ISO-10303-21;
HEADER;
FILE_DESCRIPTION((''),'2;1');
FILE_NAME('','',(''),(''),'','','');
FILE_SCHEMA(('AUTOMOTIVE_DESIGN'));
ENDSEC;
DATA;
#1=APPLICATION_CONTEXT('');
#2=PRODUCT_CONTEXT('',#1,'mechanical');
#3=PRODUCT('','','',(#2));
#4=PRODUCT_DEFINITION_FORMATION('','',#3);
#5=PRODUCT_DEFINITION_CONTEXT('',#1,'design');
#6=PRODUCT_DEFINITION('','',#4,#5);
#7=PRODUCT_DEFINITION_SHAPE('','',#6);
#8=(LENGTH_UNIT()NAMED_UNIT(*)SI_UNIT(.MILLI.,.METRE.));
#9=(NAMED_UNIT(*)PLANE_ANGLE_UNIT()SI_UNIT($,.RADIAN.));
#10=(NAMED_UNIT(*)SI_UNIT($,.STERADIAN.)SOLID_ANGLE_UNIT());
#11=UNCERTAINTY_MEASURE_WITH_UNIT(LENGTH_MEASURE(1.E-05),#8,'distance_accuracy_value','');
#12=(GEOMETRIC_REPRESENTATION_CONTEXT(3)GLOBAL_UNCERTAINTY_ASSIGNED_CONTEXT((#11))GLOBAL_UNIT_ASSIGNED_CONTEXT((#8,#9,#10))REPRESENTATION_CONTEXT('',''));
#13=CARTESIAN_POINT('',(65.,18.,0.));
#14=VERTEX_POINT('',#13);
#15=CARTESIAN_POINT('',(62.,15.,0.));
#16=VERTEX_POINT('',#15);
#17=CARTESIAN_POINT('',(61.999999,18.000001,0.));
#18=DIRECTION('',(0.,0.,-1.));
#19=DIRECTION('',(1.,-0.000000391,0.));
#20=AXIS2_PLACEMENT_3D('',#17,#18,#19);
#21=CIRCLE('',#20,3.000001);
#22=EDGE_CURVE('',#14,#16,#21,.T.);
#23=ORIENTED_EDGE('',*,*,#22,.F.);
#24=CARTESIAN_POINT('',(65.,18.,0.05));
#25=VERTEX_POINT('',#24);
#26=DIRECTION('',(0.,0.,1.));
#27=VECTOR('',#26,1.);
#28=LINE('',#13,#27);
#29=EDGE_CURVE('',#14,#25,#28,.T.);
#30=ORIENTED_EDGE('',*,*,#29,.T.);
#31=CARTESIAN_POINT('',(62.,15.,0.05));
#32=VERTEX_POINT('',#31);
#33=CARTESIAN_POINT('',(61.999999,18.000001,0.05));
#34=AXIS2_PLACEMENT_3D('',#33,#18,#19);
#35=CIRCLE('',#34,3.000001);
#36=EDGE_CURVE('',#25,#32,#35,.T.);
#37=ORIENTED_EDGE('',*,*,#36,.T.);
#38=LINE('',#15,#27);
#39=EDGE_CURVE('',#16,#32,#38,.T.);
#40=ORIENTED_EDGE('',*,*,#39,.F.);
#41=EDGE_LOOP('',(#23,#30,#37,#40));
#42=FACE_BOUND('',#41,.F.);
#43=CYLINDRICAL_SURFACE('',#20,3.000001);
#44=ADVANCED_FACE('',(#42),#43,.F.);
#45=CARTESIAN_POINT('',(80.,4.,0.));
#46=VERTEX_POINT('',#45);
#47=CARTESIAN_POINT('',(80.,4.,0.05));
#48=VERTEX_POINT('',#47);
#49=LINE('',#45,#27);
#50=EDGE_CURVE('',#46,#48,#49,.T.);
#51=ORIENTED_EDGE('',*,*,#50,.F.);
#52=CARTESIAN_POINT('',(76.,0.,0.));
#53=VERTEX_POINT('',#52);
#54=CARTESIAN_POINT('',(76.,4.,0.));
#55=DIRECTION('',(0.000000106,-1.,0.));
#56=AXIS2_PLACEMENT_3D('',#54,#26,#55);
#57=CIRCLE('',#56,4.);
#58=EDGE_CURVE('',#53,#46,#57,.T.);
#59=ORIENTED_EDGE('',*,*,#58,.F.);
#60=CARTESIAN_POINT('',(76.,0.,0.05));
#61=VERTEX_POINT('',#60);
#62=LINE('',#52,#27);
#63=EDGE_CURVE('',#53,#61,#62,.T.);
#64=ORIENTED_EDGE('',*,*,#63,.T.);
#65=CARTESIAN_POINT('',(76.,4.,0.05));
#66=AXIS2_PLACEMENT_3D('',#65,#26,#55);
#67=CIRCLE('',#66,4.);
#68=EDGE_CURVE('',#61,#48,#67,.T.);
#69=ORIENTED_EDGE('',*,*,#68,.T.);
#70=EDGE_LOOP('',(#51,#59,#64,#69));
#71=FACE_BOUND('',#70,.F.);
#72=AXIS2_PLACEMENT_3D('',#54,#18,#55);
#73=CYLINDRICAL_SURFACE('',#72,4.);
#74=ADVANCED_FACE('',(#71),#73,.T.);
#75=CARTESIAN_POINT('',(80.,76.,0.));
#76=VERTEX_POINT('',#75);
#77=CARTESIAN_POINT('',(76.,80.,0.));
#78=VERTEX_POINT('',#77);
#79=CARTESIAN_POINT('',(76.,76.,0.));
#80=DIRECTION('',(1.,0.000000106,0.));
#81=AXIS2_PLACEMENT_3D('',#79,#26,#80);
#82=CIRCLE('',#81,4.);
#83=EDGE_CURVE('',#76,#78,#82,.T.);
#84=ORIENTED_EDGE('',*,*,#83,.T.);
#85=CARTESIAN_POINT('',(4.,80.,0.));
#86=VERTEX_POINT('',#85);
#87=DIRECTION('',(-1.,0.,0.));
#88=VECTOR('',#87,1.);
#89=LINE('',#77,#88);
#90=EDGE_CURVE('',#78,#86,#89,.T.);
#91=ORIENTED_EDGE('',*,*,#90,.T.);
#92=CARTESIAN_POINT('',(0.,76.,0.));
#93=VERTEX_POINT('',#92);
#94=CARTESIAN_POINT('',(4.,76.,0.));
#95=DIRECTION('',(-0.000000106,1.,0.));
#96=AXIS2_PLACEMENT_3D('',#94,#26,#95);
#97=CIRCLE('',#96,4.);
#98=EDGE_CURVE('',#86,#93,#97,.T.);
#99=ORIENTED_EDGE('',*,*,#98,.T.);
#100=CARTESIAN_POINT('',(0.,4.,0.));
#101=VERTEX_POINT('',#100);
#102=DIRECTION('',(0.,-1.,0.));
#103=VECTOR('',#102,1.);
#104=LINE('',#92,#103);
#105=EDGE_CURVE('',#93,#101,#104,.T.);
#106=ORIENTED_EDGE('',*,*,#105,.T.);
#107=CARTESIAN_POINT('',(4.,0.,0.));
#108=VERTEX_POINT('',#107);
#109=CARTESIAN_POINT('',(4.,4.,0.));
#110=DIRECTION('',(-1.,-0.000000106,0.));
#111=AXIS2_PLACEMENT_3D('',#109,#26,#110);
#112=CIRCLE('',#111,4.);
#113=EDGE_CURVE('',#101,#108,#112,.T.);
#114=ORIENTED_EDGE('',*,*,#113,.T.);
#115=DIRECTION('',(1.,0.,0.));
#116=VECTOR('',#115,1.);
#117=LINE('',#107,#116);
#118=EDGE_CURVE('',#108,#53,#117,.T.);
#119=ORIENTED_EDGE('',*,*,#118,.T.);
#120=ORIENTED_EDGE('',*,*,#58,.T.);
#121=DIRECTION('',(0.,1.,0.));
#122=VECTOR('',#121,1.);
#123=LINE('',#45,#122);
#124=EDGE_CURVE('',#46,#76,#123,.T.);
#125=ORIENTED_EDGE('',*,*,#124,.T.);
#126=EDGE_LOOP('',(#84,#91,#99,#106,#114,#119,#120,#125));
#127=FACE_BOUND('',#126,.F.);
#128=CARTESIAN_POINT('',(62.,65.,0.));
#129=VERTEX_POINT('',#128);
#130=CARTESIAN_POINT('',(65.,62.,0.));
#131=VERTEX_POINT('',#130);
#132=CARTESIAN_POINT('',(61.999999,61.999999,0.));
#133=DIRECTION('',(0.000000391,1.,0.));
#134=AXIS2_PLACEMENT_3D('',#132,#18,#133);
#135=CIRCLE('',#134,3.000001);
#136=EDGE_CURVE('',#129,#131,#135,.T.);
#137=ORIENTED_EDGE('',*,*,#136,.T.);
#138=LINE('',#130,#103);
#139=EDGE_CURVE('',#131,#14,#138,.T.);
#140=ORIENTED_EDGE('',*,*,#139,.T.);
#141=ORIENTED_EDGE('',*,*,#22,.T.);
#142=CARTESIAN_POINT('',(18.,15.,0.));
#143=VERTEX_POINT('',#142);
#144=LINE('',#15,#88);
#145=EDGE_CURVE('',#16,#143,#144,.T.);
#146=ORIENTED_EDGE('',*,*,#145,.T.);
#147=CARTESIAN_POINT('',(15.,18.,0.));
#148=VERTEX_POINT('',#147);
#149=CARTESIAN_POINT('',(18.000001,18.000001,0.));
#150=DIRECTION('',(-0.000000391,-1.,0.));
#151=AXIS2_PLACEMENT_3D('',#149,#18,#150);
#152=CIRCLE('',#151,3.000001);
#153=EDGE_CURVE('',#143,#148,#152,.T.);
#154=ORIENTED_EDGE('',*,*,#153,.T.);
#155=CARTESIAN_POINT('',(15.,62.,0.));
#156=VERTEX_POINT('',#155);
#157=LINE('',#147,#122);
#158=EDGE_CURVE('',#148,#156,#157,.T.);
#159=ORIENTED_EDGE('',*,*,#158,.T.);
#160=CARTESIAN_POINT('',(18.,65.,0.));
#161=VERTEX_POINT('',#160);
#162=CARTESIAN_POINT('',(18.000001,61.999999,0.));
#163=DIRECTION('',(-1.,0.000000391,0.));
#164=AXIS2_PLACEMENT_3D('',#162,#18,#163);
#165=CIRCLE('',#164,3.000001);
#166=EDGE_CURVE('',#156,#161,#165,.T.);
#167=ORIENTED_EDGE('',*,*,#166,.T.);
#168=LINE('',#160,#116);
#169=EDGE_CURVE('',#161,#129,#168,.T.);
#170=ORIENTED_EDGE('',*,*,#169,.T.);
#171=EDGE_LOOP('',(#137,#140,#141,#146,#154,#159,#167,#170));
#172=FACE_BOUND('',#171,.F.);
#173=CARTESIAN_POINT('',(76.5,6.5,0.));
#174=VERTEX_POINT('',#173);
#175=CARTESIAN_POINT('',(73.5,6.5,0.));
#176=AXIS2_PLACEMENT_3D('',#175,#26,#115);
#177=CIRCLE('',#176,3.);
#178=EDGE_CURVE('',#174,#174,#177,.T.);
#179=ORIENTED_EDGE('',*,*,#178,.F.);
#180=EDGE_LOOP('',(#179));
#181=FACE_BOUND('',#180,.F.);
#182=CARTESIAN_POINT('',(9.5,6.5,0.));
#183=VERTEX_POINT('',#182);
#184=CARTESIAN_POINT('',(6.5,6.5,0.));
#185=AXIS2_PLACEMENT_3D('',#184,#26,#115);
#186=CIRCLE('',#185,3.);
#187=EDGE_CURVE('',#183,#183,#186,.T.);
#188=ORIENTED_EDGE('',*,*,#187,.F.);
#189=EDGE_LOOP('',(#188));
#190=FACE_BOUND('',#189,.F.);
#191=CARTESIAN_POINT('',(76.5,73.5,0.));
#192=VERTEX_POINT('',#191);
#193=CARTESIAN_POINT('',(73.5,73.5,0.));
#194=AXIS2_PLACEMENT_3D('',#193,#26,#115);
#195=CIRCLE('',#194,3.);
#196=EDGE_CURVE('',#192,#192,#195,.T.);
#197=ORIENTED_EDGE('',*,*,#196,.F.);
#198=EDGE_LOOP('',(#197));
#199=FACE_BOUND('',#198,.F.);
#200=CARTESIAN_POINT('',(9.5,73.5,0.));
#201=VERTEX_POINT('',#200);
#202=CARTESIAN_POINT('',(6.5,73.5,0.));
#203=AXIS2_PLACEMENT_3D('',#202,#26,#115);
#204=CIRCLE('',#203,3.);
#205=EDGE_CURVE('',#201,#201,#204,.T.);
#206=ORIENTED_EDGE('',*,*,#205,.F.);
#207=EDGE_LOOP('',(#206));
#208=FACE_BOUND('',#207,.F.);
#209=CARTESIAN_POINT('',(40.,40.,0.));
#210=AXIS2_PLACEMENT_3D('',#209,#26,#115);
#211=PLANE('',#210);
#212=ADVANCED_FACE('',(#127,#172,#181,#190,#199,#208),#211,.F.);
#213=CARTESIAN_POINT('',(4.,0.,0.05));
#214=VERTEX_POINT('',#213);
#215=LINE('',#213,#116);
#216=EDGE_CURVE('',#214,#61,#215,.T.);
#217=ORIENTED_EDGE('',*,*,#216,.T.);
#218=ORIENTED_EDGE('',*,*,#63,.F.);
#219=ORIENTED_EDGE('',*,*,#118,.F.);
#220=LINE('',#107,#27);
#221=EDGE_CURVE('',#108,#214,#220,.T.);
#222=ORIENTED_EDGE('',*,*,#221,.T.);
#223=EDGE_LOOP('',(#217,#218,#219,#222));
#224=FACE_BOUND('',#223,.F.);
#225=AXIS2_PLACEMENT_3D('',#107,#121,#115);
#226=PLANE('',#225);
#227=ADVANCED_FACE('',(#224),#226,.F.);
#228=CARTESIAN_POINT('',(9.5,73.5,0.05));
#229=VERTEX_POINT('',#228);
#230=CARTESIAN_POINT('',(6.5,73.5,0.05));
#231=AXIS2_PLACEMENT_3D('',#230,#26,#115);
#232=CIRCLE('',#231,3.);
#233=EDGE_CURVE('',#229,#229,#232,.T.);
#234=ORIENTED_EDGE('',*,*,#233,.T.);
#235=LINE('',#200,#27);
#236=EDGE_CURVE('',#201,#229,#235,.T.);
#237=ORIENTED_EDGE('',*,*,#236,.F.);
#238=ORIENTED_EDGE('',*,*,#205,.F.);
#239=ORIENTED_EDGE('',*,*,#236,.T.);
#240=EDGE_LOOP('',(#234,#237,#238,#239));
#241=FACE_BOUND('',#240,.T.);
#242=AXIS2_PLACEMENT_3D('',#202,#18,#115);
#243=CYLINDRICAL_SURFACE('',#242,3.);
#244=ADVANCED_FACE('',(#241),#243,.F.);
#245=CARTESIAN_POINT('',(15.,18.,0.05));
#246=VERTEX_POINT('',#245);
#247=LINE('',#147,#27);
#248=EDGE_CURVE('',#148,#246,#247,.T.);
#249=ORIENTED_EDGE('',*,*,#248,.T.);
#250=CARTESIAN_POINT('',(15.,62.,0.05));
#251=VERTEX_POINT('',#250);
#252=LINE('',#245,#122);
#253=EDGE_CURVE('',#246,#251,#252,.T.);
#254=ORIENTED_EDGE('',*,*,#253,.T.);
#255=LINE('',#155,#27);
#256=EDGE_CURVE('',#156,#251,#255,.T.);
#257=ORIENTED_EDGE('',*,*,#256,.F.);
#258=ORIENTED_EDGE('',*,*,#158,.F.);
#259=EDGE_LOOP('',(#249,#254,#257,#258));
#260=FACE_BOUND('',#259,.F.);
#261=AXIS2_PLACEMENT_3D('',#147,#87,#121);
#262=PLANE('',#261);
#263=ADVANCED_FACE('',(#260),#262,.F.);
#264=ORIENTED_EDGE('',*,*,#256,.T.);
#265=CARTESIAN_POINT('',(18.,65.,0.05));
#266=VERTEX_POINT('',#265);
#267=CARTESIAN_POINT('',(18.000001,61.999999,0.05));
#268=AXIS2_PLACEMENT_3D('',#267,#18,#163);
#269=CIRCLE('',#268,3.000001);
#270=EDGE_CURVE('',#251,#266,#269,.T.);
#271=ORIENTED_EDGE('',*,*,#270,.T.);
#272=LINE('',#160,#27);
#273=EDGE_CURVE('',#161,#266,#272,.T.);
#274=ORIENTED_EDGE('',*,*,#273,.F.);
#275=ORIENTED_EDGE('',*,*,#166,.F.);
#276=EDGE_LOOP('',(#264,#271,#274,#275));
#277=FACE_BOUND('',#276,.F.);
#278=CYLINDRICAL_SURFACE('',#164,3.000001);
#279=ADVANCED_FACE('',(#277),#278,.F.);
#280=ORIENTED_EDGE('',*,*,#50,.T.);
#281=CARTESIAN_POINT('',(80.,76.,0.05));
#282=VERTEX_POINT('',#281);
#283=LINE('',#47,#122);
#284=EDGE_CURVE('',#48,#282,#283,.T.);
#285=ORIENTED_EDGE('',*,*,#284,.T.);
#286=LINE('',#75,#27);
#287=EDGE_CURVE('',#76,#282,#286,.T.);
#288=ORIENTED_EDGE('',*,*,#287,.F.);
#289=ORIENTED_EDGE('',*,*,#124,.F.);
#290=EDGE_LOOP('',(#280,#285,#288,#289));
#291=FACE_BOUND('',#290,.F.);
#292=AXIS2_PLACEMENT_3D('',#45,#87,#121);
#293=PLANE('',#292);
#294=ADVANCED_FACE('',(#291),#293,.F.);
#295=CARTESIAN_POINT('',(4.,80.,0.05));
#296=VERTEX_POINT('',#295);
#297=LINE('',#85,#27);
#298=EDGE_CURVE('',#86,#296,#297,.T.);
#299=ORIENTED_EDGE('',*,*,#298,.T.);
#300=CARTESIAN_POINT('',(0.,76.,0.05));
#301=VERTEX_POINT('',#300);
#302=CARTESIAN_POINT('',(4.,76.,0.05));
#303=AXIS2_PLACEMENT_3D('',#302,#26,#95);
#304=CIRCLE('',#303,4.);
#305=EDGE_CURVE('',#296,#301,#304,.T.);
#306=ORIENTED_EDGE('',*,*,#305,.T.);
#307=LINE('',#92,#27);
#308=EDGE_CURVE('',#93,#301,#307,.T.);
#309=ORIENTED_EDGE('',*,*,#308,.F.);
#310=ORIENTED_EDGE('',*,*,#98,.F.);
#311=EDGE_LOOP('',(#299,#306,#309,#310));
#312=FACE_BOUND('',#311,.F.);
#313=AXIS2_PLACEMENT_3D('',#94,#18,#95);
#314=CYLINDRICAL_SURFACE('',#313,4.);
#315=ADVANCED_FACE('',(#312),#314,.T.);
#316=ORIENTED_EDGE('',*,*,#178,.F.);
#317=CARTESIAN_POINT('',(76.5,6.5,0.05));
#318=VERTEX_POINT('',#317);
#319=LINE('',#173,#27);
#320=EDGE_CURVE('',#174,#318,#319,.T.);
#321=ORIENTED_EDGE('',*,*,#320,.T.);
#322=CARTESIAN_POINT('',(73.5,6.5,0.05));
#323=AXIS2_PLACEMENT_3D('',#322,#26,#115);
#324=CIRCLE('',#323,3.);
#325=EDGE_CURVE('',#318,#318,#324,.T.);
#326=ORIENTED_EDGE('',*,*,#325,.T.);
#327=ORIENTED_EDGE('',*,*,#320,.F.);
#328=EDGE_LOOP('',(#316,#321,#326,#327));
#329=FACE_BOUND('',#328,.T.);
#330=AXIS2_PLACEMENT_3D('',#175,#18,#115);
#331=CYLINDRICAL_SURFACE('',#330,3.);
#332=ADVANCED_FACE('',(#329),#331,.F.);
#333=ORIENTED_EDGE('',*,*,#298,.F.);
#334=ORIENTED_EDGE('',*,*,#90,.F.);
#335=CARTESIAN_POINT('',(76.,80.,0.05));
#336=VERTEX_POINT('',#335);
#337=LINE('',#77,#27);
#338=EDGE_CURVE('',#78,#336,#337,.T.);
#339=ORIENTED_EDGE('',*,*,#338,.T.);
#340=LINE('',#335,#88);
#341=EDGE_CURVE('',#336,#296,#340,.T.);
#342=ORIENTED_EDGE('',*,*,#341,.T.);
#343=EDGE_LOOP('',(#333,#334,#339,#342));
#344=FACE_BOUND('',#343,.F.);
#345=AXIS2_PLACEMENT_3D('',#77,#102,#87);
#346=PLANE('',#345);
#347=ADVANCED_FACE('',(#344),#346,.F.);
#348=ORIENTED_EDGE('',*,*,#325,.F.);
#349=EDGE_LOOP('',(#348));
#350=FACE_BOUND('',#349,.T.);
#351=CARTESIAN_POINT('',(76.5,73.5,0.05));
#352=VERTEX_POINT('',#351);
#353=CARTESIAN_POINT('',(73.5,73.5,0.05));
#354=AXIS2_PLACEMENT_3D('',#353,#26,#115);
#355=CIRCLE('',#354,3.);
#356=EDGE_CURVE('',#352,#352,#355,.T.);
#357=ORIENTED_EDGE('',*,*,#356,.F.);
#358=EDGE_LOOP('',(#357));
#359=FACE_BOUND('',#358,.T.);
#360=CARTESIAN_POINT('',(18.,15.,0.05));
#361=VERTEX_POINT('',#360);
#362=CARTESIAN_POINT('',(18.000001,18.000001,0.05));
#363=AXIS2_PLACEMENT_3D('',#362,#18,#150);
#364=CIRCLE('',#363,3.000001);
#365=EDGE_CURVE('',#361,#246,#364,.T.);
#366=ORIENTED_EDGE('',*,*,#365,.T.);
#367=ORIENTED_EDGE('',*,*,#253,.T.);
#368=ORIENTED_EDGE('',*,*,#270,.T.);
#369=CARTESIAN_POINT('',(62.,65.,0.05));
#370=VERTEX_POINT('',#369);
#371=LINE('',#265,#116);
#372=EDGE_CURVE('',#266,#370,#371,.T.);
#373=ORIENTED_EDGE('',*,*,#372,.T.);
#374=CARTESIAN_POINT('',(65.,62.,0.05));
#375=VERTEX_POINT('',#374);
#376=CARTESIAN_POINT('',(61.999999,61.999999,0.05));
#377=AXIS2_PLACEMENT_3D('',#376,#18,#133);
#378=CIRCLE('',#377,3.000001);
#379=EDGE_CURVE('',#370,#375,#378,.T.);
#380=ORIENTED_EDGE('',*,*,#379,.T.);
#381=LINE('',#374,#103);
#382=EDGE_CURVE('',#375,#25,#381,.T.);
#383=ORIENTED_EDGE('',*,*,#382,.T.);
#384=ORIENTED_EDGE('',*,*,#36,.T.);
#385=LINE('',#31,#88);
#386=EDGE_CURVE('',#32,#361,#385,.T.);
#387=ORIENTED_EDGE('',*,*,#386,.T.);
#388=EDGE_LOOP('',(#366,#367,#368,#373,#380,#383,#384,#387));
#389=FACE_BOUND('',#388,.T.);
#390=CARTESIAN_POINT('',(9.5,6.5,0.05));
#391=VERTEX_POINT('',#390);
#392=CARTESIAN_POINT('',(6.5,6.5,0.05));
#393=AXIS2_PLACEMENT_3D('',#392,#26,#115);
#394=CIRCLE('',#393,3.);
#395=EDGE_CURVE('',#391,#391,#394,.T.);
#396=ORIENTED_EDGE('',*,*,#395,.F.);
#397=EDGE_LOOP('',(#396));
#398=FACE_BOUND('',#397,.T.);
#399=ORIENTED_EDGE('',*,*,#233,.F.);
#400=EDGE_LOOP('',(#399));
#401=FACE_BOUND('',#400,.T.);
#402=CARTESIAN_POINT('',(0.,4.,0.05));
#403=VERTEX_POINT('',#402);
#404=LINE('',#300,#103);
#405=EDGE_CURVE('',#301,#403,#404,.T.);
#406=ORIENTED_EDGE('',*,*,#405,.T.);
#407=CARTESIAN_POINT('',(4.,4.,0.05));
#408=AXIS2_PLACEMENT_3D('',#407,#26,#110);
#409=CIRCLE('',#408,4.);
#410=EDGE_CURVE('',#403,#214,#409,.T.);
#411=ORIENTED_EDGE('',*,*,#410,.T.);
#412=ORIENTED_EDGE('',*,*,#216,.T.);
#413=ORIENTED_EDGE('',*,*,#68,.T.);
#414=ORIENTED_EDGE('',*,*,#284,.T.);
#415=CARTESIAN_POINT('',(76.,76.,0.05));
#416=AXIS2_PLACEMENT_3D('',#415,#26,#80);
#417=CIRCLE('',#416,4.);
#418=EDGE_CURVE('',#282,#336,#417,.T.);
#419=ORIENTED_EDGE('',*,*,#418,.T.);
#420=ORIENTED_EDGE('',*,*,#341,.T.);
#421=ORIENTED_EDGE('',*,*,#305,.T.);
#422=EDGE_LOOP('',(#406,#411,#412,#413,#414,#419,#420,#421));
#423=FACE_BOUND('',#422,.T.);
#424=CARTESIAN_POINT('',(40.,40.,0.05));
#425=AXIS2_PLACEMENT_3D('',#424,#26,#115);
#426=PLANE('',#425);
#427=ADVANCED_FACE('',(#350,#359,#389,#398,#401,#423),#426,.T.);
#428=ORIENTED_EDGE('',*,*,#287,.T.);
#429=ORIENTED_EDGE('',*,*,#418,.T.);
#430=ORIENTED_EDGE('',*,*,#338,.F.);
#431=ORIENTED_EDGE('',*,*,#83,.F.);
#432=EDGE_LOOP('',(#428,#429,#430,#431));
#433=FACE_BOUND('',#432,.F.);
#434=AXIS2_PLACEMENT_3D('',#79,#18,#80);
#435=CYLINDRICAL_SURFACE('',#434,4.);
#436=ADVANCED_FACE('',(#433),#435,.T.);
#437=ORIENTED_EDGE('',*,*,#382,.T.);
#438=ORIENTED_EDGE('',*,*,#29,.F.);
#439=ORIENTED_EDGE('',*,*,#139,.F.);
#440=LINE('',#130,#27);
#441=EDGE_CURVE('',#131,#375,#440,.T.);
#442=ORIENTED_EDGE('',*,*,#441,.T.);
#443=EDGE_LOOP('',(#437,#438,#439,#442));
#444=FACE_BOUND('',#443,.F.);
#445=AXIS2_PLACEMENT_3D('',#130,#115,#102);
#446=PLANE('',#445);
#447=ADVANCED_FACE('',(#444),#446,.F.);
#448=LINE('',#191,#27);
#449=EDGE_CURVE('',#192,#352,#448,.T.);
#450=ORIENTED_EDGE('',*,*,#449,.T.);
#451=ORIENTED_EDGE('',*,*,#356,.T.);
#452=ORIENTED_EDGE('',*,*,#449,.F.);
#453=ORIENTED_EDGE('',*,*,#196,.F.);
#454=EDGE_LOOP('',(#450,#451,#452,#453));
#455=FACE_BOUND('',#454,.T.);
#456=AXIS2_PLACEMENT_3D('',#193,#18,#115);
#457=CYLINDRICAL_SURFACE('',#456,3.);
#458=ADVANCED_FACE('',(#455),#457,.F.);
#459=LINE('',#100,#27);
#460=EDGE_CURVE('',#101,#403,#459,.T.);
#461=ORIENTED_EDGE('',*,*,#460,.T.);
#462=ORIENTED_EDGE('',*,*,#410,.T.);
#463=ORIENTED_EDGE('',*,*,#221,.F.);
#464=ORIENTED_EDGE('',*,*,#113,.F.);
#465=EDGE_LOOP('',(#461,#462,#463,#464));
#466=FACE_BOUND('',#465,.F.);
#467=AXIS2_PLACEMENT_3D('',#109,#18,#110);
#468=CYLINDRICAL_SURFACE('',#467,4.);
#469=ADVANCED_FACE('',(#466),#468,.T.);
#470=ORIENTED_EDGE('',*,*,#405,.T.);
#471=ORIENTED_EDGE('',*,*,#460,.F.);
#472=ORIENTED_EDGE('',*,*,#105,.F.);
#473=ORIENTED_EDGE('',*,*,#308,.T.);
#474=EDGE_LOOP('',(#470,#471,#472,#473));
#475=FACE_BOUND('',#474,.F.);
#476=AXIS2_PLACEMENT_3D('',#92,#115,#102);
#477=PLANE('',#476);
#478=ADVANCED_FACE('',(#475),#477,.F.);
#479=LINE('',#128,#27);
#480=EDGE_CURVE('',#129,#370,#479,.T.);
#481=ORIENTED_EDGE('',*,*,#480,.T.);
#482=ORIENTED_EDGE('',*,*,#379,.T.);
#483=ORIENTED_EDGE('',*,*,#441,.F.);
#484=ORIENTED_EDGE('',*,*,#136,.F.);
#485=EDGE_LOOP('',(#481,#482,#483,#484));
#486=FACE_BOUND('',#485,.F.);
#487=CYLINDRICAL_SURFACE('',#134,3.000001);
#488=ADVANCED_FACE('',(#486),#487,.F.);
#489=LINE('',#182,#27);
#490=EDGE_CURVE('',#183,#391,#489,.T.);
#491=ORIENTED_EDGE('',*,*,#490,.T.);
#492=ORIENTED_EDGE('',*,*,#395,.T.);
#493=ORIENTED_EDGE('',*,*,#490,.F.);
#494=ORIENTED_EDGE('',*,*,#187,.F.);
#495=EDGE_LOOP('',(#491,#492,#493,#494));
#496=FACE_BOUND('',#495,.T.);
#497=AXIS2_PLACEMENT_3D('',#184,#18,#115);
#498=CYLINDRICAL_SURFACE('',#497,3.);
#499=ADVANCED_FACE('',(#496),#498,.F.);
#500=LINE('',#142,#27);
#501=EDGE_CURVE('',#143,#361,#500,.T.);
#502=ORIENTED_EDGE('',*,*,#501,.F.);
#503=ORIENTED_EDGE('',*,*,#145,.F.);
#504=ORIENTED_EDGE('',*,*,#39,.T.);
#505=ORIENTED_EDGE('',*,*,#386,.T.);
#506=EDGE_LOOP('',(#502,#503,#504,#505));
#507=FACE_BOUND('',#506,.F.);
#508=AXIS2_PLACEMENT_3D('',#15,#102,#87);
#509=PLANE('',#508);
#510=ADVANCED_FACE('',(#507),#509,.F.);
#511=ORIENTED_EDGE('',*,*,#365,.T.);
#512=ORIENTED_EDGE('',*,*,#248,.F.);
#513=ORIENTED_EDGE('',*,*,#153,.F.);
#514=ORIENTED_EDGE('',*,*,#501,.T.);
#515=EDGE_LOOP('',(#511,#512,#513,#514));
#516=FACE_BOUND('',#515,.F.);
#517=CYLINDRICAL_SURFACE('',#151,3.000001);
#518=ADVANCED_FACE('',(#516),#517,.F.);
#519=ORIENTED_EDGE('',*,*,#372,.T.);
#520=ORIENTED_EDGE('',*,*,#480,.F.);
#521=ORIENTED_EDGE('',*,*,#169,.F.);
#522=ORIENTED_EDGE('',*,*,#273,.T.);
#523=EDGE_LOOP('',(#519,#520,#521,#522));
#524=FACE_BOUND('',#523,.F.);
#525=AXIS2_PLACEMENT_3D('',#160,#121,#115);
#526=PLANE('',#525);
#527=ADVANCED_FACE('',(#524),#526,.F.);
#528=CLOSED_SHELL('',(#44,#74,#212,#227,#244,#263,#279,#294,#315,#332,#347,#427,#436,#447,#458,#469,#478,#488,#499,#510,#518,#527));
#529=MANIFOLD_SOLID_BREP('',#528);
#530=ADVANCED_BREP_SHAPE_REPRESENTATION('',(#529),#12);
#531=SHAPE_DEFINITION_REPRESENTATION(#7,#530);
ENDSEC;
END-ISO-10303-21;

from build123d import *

# Parameters (mm, degrees)
F0_R     = 3
F1_DEPTH = 0.05


with BuildPart() as f1:
    # F0 (on Top) → F1 (new body)
    with BuildSketch(Plane.XY):
        with BuildLine():
            ThreePointArc((0, 4), (1.171573, 1.171573), (4, 0))
            Line((4, 0), (76, 0))
            ThreePointArc((76, 0), (78.828427, 1.171573), (80, 4))
            Line((80, 4), (80, 76))
            ThreePointArc((80, 76), (78.828427, 78.828427), (76, 80))
            Line((76, 80), (4, 80))
            ThreePointArc((4, 80), (1.171573, 78.828427), (0, 76))
            Line((0, 76), (0, 4))
        make_face()
        with Locations((6.5, 6.5)):
            Circle(F0_R, mode=Mode.SUBTRACT)
        with Locations((73.5, 6.5)):
            Circle(F0_R, mode=Mode.SUBTRACT)
        with BuildLine():
            ThreePointArc((15, 62), (15.87868, 64.12132), (18, 65))
            Line((18, 65), (62, 65))
            ThreePointArc((62, 65), (64.12132, 64.12132), (65, 62))
            Line((65, 62), (65, 18))
            ThreePointArc((65, 18), (64.12132, 15.87868), (62, 15))
            Line((62, 15), (18, 15))
            ThreePointArc((18, 15), (15.87868, 15.87868), (15, 18))
            Line((15, 18), (15, 62))
        make_face(mode=Mode.SUBTRACT)
        with Locations((6.5, 73.5)):
            Circle(F0_R, mode=Mode.SUBTRACT)
        with Locations((73.5, 73.5)):
            Circle(F0_R, mode=Mode.SUBTRACT)
    extrude(amount=F1_DEPTH)


solid = f1.part
